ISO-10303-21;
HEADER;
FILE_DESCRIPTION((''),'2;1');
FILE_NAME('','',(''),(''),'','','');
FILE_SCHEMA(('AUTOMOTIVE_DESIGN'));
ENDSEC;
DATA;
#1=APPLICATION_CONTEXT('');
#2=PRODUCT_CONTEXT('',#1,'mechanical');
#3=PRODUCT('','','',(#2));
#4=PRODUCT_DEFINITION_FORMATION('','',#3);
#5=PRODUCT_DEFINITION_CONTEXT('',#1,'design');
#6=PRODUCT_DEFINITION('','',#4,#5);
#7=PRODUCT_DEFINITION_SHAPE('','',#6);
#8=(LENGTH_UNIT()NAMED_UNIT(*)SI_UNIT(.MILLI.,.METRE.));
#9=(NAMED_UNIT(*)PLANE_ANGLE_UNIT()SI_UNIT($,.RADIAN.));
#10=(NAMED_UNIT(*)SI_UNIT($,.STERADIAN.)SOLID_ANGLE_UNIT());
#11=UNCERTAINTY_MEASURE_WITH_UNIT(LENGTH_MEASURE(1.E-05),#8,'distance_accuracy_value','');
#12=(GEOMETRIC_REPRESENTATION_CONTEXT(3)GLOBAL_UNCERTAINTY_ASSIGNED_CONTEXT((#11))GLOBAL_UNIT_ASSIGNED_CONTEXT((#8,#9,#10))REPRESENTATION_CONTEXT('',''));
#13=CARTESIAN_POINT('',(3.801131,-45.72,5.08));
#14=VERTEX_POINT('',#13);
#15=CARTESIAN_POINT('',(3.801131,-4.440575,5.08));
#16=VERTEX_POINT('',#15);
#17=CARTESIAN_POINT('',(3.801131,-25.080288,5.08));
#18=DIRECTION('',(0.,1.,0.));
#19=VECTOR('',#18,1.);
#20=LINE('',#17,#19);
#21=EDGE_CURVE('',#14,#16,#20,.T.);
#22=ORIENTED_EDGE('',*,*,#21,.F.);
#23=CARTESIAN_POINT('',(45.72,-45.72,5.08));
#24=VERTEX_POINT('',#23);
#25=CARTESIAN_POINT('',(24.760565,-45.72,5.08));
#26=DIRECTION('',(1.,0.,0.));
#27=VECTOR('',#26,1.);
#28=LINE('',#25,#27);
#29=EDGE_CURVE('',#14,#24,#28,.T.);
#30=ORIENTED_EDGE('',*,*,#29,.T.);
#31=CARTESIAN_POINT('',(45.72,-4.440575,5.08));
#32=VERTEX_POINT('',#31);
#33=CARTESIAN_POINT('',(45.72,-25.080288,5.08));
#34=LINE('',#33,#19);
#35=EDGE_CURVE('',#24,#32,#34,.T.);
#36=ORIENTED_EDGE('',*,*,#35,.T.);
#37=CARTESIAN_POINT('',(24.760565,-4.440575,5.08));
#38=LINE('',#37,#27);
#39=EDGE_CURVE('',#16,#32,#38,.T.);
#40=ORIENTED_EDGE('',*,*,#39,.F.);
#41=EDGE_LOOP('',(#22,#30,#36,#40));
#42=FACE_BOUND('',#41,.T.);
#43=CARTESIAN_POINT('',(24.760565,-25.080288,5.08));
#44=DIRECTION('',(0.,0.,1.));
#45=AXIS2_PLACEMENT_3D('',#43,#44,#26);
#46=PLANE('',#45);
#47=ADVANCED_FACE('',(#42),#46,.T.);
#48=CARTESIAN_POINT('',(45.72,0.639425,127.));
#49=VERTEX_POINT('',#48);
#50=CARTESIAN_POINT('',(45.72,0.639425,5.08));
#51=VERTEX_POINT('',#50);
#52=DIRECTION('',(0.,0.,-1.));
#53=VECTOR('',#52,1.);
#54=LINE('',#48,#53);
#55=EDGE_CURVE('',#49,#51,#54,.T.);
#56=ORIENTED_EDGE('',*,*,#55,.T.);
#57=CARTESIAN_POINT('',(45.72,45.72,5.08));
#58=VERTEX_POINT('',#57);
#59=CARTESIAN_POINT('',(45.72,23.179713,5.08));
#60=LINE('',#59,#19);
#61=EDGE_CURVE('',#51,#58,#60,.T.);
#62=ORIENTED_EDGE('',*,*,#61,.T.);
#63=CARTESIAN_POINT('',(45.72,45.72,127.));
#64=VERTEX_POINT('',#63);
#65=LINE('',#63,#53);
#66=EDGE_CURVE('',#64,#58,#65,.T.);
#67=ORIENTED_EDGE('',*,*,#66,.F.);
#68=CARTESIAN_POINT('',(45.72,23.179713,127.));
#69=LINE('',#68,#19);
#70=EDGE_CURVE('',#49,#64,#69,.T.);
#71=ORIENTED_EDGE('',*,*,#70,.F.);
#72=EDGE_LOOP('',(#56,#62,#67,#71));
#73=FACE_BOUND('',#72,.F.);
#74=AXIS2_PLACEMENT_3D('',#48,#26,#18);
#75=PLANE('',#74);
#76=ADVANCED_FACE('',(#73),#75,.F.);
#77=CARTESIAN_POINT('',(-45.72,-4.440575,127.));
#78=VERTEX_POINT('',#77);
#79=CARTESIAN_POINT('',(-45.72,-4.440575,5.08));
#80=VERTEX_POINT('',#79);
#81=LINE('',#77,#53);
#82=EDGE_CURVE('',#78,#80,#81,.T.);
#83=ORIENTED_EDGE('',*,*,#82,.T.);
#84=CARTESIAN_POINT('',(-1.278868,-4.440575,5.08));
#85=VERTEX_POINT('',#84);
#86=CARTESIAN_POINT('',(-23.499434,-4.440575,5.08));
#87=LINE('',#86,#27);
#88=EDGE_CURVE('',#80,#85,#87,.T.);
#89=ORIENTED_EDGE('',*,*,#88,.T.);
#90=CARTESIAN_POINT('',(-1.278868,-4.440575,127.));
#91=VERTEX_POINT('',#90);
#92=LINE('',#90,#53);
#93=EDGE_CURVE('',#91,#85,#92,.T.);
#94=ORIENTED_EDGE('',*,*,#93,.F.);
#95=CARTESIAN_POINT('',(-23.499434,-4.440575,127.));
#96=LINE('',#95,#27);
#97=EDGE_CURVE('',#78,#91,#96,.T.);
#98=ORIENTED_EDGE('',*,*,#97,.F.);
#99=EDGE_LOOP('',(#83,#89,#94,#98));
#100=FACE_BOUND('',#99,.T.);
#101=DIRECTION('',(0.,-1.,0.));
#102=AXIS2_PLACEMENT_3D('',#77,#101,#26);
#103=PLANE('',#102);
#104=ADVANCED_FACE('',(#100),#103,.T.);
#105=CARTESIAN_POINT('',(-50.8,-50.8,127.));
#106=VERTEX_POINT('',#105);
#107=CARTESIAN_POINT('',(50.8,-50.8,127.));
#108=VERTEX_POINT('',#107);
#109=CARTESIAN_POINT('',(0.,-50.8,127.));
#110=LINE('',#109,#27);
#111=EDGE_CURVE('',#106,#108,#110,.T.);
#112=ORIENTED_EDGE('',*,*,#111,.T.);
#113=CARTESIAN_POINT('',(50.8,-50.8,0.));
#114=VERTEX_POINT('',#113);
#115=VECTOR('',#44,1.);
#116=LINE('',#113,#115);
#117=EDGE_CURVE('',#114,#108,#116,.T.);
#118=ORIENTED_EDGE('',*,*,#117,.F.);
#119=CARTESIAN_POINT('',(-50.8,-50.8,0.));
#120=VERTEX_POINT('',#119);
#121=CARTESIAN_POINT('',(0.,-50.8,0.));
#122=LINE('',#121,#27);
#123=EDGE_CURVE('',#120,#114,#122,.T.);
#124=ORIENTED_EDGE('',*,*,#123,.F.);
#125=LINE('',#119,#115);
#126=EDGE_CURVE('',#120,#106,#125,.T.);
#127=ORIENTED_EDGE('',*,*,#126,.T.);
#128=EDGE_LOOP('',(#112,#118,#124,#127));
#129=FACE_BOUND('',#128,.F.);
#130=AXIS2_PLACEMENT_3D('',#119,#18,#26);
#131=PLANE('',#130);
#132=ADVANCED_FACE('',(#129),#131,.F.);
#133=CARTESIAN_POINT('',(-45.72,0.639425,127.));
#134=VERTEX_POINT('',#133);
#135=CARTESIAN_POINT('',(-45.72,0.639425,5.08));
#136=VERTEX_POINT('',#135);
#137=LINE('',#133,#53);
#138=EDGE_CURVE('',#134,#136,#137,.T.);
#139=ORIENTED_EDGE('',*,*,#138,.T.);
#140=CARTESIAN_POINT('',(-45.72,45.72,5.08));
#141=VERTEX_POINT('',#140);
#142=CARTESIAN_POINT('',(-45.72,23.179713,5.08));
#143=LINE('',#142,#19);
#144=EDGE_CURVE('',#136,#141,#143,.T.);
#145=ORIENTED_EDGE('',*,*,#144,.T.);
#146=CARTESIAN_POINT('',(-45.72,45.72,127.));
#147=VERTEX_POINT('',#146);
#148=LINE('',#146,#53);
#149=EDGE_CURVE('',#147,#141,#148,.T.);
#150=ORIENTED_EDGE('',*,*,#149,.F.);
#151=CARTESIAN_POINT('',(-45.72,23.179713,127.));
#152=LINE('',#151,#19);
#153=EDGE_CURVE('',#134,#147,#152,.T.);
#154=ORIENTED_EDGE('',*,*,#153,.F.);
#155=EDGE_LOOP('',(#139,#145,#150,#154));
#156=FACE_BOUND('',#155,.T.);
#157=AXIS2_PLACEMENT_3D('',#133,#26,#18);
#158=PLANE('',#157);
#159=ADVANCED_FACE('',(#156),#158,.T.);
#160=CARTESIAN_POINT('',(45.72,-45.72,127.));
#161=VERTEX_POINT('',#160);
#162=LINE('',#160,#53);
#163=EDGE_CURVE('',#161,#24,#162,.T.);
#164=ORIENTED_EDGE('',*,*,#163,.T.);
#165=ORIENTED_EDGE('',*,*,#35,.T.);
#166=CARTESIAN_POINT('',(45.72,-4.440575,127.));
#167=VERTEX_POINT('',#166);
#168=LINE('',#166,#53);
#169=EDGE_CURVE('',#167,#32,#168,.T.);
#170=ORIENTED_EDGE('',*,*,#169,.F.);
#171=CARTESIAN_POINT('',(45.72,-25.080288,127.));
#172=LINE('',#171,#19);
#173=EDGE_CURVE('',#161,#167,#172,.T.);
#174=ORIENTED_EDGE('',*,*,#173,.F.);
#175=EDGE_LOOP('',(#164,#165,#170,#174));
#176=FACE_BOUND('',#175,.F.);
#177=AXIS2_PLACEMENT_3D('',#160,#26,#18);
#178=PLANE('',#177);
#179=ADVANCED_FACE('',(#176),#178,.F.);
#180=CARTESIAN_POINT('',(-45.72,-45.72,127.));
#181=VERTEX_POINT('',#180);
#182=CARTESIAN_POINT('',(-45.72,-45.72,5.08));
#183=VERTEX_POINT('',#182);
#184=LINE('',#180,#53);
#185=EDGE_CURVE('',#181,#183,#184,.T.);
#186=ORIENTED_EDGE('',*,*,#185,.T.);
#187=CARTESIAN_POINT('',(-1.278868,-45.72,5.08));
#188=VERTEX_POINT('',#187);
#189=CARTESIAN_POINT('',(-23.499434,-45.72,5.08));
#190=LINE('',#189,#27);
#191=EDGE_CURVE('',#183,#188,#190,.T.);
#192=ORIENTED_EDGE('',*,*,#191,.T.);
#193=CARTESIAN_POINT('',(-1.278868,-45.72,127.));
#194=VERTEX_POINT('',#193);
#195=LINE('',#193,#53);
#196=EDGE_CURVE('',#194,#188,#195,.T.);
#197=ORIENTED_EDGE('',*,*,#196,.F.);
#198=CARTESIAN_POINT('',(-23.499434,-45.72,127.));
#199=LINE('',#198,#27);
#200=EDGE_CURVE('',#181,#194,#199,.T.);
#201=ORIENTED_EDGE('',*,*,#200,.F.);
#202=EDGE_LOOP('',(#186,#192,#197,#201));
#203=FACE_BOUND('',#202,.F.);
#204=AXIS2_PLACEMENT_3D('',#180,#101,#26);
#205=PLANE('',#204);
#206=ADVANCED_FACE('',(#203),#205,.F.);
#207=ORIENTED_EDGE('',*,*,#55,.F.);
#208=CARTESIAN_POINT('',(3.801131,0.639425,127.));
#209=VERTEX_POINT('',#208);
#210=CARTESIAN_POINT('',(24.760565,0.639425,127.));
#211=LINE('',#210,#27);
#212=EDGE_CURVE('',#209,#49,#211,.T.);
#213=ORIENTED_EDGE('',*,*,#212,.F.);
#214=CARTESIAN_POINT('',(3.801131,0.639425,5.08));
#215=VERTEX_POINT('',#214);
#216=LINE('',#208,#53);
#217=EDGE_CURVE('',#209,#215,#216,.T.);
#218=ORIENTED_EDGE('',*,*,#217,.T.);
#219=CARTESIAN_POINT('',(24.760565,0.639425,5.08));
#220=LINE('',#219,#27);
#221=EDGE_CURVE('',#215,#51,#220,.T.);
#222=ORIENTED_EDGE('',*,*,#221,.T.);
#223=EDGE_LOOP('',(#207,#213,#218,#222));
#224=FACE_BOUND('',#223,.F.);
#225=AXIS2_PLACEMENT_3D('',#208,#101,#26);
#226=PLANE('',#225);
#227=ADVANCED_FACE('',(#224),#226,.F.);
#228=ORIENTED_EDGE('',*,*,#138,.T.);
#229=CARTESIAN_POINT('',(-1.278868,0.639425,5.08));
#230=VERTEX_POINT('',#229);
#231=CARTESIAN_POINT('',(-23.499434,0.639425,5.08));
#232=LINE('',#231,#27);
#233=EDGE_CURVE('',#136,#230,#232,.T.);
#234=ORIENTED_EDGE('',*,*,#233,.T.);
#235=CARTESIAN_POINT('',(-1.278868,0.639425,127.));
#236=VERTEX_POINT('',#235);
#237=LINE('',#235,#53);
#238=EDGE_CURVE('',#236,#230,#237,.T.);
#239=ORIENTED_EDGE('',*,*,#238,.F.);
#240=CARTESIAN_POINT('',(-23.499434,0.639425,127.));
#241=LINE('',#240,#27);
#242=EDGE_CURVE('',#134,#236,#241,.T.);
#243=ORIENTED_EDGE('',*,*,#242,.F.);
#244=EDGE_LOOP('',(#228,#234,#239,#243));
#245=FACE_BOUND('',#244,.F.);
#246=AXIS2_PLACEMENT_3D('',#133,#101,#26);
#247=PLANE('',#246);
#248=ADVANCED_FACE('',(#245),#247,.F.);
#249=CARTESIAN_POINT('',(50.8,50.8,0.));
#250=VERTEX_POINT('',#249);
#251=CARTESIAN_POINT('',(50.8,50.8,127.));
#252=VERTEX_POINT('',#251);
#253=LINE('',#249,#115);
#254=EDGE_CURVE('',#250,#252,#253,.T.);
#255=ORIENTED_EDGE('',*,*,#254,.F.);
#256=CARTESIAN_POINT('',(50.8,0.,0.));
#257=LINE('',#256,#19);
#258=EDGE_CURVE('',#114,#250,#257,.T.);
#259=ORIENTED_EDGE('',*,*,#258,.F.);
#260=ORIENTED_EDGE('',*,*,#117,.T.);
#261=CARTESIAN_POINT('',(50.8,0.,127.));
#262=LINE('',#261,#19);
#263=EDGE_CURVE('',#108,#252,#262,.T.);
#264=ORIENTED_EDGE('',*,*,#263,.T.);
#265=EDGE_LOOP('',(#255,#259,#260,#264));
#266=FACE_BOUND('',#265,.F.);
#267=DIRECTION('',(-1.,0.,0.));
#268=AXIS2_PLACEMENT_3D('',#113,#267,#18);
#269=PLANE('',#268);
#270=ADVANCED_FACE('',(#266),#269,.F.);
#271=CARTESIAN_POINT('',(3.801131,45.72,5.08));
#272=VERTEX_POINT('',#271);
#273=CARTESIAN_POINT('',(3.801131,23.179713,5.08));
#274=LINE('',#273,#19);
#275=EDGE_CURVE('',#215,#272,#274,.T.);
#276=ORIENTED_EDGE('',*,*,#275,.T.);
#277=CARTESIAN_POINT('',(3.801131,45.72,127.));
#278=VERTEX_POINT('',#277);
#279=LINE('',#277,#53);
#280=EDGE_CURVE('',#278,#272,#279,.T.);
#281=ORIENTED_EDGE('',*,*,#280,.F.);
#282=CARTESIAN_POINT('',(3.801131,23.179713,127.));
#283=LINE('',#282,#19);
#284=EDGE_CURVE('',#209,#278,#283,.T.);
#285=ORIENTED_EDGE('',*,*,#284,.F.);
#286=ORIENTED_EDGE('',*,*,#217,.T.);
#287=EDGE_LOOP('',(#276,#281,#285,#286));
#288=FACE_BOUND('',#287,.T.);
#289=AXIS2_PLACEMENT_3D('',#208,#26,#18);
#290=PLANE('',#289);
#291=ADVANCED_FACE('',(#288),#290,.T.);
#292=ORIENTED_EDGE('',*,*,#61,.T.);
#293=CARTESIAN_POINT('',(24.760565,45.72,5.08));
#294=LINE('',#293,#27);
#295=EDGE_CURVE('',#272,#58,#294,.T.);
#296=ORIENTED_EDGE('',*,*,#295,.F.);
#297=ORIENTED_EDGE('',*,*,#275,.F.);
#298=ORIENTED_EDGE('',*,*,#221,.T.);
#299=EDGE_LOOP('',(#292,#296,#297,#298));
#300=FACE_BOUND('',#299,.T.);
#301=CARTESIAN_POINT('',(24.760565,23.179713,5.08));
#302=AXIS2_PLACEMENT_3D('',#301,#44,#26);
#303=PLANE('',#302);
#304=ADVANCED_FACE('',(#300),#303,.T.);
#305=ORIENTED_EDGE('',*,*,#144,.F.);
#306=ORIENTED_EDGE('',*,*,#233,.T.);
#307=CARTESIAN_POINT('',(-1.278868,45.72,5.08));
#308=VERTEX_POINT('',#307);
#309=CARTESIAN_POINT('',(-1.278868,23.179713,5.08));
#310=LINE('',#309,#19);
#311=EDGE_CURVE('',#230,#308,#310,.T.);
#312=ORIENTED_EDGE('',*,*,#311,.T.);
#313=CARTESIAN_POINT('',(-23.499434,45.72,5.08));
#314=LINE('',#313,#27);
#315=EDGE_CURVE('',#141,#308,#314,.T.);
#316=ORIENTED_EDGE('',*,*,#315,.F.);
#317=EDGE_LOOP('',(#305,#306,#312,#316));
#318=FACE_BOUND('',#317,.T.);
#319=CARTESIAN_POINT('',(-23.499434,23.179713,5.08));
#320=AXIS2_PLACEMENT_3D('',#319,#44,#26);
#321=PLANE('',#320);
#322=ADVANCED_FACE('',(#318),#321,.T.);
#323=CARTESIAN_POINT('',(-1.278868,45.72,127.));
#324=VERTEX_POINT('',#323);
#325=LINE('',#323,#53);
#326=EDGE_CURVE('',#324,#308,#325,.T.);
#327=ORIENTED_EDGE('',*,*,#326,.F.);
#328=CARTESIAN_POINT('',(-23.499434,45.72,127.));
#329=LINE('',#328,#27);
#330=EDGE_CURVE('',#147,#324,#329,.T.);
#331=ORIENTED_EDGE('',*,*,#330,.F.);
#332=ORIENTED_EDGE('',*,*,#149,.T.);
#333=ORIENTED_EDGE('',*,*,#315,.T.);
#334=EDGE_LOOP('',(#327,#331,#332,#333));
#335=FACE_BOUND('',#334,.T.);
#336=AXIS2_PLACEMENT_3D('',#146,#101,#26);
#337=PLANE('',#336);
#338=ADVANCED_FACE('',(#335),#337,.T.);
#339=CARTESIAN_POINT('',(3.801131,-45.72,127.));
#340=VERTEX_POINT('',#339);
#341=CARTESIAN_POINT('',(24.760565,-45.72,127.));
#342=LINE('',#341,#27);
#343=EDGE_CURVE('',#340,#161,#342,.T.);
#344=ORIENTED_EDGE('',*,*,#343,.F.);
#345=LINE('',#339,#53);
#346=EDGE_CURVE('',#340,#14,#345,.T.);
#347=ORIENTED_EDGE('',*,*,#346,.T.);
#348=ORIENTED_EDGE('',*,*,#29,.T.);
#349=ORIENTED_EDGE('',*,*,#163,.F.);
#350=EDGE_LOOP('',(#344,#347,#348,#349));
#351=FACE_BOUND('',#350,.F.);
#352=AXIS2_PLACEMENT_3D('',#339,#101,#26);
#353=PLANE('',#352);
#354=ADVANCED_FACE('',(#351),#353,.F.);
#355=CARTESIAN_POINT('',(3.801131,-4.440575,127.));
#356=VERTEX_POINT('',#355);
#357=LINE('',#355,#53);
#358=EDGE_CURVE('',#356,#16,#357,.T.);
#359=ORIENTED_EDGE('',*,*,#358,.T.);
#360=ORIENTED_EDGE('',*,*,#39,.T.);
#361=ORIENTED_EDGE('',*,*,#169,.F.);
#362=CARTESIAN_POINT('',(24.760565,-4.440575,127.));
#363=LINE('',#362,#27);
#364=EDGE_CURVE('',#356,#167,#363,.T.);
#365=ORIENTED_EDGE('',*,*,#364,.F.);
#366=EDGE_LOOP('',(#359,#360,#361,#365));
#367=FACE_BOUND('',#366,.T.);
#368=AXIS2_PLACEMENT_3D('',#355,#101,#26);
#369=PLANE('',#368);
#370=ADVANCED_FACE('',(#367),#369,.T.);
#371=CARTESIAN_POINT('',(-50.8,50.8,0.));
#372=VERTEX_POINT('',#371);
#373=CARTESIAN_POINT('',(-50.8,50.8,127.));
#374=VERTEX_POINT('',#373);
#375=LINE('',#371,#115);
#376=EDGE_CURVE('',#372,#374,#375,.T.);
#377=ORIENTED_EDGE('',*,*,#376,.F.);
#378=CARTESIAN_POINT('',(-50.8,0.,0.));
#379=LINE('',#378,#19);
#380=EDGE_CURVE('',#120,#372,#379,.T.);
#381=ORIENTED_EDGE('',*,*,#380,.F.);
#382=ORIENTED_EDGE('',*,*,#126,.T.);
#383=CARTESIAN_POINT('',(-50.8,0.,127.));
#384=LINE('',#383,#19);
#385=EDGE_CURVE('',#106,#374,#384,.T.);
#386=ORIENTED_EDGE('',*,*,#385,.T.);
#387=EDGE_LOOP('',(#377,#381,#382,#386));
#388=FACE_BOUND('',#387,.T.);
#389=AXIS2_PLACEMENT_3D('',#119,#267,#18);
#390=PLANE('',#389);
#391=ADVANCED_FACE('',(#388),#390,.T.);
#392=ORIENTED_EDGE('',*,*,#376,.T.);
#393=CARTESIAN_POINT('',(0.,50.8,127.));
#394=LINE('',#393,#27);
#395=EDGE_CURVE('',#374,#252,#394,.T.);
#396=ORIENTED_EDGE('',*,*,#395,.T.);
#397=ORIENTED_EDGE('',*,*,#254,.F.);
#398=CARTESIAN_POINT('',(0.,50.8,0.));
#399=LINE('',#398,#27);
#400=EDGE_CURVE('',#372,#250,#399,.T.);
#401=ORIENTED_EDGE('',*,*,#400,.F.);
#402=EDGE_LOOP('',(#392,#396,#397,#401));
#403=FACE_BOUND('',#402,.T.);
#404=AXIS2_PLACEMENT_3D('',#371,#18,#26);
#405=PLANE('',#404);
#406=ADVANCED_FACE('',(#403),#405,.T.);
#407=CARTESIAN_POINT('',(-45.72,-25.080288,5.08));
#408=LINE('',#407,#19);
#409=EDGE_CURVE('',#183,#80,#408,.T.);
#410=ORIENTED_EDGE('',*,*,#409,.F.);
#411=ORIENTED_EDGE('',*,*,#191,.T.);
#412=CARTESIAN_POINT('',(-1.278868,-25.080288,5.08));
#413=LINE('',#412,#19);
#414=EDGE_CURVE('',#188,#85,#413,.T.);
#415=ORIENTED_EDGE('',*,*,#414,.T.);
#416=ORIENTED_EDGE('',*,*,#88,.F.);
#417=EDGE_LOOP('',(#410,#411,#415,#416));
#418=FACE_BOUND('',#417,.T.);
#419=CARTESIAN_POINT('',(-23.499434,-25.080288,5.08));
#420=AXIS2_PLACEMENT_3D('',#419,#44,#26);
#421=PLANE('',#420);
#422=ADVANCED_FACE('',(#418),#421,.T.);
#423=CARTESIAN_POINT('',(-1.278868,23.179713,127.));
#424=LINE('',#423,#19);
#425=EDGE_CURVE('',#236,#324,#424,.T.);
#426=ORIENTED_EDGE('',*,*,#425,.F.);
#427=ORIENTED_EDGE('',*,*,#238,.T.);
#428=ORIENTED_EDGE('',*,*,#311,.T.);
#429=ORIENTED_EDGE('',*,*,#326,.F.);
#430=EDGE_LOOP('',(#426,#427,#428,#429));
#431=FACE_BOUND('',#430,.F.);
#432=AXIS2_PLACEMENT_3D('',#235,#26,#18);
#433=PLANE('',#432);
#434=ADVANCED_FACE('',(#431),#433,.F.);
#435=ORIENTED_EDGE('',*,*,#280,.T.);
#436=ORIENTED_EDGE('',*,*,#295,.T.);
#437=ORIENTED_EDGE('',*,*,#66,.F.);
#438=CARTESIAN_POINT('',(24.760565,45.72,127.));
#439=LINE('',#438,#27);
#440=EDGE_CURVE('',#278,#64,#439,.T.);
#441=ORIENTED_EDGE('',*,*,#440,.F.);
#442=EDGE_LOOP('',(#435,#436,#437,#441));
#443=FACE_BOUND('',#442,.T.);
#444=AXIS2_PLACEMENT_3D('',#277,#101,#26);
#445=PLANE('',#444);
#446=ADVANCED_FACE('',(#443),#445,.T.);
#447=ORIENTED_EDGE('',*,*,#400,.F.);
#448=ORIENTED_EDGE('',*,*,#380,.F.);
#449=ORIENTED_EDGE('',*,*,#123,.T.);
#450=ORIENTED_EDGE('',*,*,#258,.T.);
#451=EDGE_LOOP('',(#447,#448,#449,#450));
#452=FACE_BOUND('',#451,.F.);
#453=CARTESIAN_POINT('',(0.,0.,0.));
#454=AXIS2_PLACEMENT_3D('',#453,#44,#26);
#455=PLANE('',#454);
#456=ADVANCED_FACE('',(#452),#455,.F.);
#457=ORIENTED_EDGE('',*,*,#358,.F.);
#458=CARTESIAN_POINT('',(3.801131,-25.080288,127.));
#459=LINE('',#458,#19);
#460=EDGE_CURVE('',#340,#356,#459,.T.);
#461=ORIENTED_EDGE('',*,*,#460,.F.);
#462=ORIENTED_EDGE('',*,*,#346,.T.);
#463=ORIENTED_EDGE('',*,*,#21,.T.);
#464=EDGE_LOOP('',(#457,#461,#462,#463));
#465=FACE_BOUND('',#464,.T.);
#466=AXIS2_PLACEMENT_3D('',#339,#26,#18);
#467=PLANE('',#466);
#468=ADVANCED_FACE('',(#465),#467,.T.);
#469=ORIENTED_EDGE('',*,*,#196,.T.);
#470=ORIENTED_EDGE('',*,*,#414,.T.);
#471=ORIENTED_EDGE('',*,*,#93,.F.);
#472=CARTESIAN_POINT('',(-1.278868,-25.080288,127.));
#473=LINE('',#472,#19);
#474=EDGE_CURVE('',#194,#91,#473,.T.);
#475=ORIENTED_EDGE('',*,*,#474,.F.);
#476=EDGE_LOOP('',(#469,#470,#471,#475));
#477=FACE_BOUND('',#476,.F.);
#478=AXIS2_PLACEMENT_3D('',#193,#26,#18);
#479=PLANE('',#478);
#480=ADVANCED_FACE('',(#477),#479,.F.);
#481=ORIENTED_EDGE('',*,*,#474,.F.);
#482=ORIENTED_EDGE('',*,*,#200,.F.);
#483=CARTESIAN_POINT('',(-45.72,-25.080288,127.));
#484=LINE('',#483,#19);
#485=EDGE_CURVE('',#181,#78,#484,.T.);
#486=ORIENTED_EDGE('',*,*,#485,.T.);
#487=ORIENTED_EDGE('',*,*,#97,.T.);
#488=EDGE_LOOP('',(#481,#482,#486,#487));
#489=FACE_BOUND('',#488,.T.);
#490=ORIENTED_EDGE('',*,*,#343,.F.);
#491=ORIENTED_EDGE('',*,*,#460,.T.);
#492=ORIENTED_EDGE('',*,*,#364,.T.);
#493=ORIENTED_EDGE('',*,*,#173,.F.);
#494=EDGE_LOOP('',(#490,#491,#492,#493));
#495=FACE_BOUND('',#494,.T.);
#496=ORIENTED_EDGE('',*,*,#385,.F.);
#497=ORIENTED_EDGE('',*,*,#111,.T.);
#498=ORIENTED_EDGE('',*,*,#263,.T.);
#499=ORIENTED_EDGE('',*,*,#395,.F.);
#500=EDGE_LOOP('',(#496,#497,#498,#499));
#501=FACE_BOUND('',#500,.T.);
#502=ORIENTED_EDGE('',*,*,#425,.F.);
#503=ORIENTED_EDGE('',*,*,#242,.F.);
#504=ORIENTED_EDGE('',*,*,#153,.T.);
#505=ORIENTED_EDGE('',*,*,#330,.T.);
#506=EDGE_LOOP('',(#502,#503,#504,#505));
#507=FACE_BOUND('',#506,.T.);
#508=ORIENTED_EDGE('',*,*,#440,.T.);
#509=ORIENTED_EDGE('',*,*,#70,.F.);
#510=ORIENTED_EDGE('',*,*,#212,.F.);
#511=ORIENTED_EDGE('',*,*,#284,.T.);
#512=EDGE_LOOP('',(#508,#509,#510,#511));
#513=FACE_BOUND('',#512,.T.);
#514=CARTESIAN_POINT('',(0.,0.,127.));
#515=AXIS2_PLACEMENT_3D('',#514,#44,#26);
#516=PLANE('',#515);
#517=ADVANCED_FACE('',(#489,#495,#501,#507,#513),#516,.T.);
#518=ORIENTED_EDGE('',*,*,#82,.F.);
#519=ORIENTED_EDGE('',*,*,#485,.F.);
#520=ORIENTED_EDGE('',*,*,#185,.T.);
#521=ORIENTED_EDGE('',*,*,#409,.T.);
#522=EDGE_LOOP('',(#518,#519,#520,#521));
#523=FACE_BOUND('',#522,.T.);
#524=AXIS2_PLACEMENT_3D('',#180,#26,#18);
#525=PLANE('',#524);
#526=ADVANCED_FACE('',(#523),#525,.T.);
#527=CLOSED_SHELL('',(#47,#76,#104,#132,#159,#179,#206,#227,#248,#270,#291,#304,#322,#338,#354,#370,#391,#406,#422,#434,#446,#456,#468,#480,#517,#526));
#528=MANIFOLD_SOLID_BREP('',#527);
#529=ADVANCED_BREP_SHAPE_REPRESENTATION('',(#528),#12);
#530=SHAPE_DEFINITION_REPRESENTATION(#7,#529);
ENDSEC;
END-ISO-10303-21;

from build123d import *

# Parameters (mm, degrees)
F0_W     = 101.6
F0_H     = 101.6
F1_DEPTH = 127
F2_W     = 44.441131
F2_H     = 45.080575
F2_W_2   = 41.918869
F2_H_2   = 41.279425
F3_DEPTH = 121.92


with BuildPart() as f1:
    # F0 (on Top) → F1 (new body)
    with BuildSketch(Plane.XY):
        Rectangle(F0_W, F0_H)
    extrude(amount=F1_DEPTH)

    # F2 (on face) → F3 (cut)
    with BuildSketch(Plane.XY.offset(127)):
        with Locations((-23.499434, 23.179713)):
            Rectangle(F2_W, F2_H)
        with Locations((24.760565, 23.179713)):
            Rectangle(F2_W_2, F2_H)
        with Locations((24.760565, -25.080288)):
            Rectangle(F2_W_2, F2_H_2)
        with Locations((-23.499434, -25.080288)):
            Rectangle(F2_W, F2_H_2)
    extrude(amount=-F3_DEPTH, mode=Mode.SUBTRACT)


solid = f1.part
